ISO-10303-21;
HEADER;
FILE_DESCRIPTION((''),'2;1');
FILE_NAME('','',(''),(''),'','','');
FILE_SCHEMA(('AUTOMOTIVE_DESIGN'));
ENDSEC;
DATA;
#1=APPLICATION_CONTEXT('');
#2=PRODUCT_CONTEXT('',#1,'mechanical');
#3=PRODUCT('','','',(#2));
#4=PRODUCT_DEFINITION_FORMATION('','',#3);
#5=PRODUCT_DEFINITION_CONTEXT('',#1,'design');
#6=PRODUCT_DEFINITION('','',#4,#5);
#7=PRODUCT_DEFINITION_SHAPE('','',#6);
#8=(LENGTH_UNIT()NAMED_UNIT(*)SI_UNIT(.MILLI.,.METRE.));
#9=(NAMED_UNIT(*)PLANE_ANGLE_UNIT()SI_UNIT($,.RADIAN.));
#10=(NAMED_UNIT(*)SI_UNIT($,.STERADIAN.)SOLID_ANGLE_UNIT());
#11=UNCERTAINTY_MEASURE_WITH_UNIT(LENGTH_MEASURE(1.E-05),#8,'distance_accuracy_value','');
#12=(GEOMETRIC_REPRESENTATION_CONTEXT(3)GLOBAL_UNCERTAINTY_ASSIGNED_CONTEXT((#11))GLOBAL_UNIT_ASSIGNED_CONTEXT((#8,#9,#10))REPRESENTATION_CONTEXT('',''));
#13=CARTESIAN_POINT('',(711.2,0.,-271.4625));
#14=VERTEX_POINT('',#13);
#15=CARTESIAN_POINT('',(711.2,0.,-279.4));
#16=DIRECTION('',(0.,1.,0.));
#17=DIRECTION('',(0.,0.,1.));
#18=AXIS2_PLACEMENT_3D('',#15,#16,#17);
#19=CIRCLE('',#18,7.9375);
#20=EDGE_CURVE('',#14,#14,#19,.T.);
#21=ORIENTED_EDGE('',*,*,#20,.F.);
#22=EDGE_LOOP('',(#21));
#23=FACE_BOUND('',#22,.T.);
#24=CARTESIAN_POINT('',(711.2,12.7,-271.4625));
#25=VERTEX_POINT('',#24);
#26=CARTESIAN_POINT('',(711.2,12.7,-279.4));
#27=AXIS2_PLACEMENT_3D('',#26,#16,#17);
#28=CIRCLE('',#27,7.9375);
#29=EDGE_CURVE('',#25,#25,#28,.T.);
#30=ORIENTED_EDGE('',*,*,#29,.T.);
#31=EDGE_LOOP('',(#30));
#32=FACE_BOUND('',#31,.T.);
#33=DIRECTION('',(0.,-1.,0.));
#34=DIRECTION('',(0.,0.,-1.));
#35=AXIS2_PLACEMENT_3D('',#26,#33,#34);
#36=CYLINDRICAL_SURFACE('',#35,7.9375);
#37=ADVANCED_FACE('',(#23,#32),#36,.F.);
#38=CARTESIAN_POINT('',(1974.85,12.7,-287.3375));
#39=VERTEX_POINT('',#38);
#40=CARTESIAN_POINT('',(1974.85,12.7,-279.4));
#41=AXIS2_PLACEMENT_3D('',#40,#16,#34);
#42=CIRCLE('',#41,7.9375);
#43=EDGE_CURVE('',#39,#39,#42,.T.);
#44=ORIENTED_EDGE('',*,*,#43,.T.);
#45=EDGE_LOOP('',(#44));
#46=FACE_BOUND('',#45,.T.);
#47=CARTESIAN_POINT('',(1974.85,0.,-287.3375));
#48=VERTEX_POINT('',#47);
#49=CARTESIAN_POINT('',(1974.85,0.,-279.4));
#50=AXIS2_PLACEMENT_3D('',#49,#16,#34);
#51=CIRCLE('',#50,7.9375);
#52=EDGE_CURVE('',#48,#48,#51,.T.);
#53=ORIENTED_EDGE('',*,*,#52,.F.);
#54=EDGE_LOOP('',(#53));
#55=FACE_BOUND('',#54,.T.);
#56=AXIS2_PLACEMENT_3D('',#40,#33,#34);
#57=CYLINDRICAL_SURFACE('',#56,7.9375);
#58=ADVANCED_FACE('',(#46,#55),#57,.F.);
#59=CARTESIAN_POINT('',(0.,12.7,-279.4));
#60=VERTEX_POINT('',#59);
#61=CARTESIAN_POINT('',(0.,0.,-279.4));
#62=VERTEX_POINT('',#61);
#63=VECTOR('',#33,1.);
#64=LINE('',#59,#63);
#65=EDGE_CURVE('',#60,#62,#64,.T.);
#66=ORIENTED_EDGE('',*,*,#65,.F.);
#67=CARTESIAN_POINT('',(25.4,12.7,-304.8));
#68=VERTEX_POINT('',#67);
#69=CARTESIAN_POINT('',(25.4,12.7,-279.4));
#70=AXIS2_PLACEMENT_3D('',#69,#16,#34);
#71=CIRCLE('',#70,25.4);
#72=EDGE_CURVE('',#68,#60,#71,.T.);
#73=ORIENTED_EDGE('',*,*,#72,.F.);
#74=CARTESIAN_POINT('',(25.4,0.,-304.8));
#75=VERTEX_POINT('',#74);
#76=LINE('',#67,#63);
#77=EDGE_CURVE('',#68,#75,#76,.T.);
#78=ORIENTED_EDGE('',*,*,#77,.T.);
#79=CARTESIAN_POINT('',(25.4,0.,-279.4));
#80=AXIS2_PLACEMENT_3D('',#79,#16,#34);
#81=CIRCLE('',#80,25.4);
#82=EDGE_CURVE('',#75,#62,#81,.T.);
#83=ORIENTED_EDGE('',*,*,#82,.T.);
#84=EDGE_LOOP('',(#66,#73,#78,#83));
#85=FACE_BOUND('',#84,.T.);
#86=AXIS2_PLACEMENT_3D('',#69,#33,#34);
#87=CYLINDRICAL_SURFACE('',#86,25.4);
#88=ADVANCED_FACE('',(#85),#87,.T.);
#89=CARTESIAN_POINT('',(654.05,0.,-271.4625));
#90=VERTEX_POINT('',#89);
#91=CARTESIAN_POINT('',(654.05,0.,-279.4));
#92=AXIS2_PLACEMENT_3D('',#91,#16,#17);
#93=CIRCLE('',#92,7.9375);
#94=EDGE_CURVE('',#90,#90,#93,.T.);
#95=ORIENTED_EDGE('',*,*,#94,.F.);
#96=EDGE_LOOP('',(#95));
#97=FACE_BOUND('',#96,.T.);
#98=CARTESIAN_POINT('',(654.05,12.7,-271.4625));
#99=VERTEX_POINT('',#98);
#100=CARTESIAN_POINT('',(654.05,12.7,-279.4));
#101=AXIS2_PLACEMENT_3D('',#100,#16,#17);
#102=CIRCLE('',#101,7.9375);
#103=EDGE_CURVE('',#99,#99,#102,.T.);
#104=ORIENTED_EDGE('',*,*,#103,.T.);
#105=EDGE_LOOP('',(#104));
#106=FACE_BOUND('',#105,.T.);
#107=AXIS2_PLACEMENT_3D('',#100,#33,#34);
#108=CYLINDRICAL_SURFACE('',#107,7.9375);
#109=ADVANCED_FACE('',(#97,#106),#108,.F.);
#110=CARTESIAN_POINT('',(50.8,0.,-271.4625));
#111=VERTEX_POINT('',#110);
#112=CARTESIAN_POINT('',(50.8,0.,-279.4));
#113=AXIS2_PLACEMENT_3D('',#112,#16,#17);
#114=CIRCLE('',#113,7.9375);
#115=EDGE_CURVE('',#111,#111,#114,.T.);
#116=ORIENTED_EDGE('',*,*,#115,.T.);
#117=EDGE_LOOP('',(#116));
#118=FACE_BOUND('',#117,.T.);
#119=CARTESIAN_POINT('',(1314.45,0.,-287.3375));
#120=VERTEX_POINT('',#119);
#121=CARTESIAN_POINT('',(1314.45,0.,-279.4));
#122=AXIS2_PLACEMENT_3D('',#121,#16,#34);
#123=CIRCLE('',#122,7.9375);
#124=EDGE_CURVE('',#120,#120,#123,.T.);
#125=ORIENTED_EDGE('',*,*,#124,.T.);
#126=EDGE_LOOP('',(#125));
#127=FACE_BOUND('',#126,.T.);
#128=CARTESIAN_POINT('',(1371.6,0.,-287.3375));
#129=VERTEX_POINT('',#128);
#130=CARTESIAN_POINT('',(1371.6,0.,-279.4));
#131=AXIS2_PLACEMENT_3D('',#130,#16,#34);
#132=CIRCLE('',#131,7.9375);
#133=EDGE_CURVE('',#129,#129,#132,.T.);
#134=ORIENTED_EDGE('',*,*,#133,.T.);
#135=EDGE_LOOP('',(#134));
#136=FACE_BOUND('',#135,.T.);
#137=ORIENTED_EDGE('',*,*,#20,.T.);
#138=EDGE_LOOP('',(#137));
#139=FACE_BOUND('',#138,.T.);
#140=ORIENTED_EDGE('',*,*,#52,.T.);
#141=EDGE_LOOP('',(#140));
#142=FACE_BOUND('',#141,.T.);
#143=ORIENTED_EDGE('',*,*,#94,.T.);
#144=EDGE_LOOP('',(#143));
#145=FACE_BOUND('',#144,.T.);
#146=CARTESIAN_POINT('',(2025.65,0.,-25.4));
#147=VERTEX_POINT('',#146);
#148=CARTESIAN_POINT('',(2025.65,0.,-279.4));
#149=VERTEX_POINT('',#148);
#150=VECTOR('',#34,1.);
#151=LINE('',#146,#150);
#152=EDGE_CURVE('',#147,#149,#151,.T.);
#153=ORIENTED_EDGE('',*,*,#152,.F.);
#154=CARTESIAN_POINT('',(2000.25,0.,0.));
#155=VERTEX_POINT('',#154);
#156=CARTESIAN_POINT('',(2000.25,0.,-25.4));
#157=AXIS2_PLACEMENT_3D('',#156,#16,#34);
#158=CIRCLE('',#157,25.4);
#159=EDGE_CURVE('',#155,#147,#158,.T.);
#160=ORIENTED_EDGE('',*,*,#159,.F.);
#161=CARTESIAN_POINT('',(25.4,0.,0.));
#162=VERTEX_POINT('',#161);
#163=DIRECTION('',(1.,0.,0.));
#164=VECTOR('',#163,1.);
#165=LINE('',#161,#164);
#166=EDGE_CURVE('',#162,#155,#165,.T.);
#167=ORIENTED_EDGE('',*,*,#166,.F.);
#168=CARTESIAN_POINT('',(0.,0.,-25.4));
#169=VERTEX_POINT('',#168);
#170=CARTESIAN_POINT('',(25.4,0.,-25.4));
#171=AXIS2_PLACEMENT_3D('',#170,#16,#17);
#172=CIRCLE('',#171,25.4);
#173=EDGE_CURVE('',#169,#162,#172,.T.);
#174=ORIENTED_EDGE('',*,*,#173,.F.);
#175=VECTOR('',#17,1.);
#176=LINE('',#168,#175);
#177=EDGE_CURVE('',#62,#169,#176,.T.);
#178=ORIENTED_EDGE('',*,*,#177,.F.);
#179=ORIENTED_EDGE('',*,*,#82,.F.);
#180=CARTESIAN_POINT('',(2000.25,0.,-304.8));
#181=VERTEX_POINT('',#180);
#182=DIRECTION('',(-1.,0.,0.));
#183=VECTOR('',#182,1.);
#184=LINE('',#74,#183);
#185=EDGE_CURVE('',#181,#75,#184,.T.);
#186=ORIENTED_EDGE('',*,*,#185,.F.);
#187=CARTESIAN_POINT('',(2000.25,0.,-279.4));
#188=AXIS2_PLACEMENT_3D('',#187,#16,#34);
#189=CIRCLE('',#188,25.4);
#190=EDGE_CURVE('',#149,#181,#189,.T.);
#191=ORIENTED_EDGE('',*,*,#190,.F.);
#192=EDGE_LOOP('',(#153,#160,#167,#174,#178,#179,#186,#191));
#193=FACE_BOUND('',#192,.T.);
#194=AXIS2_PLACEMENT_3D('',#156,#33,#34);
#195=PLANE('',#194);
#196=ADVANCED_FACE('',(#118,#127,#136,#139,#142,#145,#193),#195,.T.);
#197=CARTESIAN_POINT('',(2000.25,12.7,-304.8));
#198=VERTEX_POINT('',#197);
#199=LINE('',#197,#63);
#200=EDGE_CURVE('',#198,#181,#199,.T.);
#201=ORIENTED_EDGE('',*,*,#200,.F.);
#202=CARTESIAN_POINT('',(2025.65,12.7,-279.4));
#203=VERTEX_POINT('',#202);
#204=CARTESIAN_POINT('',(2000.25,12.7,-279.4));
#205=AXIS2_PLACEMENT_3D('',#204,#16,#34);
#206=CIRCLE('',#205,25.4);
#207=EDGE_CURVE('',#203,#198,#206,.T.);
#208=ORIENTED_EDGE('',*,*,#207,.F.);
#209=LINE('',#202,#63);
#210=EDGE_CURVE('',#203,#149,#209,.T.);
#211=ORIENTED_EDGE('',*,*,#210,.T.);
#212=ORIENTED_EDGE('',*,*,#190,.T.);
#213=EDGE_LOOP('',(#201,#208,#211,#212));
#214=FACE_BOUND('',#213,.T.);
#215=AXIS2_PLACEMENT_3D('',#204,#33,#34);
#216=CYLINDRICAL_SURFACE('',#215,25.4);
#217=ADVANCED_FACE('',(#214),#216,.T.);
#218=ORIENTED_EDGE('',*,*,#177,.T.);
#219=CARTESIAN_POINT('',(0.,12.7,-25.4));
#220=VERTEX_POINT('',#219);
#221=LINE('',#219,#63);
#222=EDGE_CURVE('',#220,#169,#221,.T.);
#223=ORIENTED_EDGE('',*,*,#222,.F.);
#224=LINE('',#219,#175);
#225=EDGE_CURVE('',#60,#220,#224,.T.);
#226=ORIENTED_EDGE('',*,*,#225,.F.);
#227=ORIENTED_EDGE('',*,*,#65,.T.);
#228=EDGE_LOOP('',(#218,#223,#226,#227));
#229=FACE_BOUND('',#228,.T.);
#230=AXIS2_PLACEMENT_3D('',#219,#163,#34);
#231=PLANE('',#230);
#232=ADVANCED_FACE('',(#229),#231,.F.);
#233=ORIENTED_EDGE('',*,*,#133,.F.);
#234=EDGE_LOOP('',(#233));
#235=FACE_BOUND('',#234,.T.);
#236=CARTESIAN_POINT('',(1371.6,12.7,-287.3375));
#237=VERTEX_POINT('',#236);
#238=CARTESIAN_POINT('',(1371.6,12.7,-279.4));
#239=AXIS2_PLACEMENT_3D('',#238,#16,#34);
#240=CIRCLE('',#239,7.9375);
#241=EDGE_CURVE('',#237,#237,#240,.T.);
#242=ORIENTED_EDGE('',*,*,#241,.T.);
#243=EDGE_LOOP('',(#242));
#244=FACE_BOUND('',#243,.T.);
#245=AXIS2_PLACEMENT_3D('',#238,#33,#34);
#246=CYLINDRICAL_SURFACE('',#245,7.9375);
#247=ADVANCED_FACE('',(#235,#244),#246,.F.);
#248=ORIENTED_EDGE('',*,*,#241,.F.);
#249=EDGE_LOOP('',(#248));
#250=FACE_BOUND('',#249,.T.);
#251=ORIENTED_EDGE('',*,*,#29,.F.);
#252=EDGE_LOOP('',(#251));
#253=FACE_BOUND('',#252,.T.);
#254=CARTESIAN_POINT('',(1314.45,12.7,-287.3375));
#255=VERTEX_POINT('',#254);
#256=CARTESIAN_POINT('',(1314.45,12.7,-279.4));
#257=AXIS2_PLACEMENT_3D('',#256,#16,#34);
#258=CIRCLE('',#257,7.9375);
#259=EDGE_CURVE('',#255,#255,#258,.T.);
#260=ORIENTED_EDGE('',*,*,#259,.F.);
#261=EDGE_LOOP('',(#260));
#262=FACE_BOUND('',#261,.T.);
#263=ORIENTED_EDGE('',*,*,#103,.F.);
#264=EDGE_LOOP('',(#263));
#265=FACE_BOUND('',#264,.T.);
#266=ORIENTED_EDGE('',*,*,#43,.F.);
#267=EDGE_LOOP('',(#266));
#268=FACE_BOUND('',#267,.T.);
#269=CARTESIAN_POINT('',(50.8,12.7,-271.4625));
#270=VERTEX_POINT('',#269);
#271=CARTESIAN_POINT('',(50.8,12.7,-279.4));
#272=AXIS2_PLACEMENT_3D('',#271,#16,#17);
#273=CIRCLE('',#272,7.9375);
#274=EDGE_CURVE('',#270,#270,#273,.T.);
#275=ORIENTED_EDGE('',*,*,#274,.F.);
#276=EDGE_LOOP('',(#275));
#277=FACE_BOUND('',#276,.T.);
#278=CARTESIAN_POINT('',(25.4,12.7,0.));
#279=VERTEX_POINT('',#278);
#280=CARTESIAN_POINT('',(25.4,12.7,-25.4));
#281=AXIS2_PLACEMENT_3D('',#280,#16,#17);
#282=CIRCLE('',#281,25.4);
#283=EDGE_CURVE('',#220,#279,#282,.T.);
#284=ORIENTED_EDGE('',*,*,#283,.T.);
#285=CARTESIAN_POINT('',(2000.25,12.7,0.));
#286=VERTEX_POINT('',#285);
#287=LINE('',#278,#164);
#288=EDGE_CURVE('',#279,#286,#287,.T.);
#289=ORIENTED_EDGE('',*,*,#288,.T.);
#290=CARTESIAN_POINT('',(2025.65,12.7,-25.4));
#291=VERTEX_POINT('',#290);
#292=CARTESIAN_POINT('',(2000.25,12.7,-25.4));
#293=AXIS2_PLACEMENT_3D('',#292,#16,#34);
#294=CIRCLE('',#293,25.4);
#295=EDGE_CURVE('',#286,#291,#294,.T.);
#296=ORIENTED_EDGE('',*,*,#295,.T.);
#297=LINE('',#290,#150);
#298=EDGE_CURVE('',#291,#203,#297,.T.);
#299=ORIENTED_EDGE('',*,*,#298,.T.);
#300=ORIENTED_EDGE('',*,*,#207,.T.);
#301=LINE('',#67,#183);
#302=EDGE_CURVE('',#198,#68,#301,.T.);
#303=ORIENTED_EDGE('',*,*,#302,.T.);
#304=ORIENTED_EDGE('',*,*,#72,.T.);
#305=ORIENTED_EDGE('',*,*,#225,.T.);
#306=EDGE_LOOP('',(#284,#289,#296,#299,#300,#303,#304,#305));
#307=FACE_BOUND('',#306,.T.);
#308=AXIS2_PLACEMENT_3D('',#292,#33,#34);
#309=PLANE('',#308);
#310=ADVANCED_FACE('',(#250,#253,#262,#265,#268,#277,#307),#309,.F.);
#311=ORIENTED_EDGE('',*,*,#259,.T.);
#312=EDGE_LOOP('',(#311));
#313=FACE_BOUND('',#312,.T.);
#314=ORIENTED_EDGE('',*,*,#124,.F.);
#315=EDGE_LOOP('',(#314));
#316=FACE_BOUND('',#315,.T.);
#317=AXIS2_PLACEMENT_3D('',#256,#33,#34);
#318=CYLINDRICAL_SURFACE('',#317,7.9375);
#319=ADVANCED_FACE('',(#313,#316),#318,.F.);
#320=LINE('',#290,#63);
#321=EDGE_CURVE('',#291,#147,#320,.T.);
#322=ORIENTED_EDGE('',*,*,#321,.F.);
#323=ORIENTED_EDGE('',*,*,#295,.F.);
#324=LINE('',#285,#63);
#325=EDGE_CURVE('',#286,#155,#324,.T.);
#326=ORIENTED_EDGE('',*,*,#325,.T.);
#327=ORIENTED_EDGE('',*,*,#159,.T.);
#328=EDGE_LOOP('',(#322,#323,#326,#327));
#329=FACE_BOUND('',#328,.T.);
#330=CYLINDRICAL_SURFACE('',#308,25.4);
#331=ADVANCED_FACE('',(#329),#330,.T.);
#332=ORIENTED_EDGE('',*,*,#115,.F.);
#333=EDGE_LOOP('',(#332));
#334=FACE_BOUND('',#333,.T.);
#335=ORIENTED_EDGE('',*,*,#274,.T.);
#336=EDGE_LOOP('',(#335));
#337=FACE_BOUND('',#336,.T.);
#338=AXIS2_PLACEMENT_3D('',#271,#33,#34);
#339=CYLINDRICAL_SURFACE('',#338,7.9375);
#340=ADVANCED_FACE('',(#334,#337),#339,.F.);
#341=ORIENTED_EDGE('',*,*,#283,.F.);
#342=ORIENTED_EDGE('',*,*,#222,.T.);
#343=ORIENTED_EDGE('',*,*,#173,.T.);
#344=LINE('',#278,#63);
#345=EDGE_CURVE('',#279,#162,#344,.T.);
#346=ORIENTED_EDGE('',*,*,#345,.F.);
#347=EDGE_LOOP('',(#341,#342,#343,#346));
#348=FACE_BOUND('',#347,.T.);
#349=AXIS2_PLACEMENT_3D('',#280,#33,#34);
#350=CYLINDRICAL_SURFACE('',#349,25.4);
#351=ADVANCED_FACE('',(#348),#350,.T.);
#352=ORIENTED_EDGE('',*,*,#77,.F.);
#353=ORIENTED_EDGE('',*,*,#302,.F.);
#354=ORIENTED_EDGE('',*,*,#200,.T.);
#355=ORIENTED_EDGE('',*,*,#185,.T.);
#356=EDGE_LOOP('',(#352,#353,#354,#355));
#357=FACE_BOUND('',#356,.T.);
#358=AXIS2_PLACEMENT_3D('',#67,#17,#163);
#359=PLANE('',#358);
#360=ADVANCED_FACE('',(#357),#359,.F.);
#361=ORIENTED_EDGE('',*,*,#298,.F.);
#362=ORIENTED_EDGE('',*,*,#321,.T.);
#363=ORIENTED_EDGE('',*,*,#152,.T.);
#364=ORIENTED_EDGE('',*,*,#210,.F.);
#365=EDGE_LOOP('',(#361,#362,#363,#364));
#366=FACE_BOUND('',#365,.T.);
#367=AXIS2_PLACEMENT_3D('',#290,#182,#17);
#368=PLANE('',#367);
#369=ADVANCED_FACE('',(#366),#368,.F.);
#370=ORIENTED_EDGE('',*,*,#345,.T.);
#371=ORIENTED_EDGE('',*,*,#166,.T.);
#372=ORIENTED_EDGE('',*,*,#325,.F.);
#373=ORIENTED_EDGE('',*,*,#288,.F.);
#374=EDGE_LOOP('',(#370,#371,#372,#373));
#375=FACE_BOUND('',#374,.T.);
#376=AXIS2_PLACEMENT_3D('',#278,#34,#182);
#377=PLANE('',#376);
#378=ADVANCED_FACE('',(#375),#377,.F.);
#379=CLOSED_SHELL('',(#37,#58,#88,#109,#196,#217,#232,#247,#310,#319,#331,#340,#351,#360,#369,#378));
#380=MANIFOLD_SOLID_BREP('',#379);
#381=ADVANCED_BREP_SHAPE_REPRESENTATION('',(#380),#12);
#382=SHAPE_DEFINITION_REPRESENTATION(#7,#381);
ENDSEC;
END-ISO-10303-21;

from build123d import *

# Parameters (mm, degrees)
SKETCH1_R           = 7.9375
BOSS_EXTRUDE1_DEPTH = 12.7


with BuildPart() as part:
    # Sketch1 → Boss-Extrude1 (new body)
    with BuildSketch(Plane(origin=(0, 0, 0), x_dir=(1, 0, 0), z_dir=(0, 1, 0))):
        with BuildLine():
            Line((25.4, 0), (2000.25, 0))
            ThreePointArc((2000.25, 0), (2018.210512242, 7.439487758), (2025.65, 25.4))
            Line((2025.65, 25.4), (2025.65, 279.4))
            ThreePointArc((2025.65, 279.4), (2018.210512242, 297.360512242), (2000.25, 304.8))
            Line((2000.25, 304.8), (25.4, 304.8))
            ThreePointArc((25.4, 304.8), (7.439487758, 297.360512242), (0, 279.4))
            Line((0, 279.4), (0, 25.4))
            ThreePointArc((0, 25.4), (7.439487758, 7.439487758), (25.4, 0))
        make_face()
        with Locations((50.8, 279.4)):
            Circle(SKETCH1_R, mode=Mode.SUBTRACT)
        with Locations((654.05, 279.4)):
            Circle(SKETCH1_R, mode=Mode.SUBTRACT)
        with Locations((711.2, 279.4)):
            Circle(SKETCH1_R, mode=Mode.SUBTRACT)
        with Locations((1314.45, 279.4)):
            Circle(SKETCH1_R, mode=Mode.SUBTRACT)
        with Locations((1371.6, 279.4)):
            Circle(SKETCH1_R, mode=Mode.SUBTRACT)
        with Locations((1974.85, 279.4)):
            Circle(SKETCH1_R, mode=Mode.SUBTRACT)
    extrude(amount=BOSS_EXTRUDE1_DEPTH)


solid = part.part
